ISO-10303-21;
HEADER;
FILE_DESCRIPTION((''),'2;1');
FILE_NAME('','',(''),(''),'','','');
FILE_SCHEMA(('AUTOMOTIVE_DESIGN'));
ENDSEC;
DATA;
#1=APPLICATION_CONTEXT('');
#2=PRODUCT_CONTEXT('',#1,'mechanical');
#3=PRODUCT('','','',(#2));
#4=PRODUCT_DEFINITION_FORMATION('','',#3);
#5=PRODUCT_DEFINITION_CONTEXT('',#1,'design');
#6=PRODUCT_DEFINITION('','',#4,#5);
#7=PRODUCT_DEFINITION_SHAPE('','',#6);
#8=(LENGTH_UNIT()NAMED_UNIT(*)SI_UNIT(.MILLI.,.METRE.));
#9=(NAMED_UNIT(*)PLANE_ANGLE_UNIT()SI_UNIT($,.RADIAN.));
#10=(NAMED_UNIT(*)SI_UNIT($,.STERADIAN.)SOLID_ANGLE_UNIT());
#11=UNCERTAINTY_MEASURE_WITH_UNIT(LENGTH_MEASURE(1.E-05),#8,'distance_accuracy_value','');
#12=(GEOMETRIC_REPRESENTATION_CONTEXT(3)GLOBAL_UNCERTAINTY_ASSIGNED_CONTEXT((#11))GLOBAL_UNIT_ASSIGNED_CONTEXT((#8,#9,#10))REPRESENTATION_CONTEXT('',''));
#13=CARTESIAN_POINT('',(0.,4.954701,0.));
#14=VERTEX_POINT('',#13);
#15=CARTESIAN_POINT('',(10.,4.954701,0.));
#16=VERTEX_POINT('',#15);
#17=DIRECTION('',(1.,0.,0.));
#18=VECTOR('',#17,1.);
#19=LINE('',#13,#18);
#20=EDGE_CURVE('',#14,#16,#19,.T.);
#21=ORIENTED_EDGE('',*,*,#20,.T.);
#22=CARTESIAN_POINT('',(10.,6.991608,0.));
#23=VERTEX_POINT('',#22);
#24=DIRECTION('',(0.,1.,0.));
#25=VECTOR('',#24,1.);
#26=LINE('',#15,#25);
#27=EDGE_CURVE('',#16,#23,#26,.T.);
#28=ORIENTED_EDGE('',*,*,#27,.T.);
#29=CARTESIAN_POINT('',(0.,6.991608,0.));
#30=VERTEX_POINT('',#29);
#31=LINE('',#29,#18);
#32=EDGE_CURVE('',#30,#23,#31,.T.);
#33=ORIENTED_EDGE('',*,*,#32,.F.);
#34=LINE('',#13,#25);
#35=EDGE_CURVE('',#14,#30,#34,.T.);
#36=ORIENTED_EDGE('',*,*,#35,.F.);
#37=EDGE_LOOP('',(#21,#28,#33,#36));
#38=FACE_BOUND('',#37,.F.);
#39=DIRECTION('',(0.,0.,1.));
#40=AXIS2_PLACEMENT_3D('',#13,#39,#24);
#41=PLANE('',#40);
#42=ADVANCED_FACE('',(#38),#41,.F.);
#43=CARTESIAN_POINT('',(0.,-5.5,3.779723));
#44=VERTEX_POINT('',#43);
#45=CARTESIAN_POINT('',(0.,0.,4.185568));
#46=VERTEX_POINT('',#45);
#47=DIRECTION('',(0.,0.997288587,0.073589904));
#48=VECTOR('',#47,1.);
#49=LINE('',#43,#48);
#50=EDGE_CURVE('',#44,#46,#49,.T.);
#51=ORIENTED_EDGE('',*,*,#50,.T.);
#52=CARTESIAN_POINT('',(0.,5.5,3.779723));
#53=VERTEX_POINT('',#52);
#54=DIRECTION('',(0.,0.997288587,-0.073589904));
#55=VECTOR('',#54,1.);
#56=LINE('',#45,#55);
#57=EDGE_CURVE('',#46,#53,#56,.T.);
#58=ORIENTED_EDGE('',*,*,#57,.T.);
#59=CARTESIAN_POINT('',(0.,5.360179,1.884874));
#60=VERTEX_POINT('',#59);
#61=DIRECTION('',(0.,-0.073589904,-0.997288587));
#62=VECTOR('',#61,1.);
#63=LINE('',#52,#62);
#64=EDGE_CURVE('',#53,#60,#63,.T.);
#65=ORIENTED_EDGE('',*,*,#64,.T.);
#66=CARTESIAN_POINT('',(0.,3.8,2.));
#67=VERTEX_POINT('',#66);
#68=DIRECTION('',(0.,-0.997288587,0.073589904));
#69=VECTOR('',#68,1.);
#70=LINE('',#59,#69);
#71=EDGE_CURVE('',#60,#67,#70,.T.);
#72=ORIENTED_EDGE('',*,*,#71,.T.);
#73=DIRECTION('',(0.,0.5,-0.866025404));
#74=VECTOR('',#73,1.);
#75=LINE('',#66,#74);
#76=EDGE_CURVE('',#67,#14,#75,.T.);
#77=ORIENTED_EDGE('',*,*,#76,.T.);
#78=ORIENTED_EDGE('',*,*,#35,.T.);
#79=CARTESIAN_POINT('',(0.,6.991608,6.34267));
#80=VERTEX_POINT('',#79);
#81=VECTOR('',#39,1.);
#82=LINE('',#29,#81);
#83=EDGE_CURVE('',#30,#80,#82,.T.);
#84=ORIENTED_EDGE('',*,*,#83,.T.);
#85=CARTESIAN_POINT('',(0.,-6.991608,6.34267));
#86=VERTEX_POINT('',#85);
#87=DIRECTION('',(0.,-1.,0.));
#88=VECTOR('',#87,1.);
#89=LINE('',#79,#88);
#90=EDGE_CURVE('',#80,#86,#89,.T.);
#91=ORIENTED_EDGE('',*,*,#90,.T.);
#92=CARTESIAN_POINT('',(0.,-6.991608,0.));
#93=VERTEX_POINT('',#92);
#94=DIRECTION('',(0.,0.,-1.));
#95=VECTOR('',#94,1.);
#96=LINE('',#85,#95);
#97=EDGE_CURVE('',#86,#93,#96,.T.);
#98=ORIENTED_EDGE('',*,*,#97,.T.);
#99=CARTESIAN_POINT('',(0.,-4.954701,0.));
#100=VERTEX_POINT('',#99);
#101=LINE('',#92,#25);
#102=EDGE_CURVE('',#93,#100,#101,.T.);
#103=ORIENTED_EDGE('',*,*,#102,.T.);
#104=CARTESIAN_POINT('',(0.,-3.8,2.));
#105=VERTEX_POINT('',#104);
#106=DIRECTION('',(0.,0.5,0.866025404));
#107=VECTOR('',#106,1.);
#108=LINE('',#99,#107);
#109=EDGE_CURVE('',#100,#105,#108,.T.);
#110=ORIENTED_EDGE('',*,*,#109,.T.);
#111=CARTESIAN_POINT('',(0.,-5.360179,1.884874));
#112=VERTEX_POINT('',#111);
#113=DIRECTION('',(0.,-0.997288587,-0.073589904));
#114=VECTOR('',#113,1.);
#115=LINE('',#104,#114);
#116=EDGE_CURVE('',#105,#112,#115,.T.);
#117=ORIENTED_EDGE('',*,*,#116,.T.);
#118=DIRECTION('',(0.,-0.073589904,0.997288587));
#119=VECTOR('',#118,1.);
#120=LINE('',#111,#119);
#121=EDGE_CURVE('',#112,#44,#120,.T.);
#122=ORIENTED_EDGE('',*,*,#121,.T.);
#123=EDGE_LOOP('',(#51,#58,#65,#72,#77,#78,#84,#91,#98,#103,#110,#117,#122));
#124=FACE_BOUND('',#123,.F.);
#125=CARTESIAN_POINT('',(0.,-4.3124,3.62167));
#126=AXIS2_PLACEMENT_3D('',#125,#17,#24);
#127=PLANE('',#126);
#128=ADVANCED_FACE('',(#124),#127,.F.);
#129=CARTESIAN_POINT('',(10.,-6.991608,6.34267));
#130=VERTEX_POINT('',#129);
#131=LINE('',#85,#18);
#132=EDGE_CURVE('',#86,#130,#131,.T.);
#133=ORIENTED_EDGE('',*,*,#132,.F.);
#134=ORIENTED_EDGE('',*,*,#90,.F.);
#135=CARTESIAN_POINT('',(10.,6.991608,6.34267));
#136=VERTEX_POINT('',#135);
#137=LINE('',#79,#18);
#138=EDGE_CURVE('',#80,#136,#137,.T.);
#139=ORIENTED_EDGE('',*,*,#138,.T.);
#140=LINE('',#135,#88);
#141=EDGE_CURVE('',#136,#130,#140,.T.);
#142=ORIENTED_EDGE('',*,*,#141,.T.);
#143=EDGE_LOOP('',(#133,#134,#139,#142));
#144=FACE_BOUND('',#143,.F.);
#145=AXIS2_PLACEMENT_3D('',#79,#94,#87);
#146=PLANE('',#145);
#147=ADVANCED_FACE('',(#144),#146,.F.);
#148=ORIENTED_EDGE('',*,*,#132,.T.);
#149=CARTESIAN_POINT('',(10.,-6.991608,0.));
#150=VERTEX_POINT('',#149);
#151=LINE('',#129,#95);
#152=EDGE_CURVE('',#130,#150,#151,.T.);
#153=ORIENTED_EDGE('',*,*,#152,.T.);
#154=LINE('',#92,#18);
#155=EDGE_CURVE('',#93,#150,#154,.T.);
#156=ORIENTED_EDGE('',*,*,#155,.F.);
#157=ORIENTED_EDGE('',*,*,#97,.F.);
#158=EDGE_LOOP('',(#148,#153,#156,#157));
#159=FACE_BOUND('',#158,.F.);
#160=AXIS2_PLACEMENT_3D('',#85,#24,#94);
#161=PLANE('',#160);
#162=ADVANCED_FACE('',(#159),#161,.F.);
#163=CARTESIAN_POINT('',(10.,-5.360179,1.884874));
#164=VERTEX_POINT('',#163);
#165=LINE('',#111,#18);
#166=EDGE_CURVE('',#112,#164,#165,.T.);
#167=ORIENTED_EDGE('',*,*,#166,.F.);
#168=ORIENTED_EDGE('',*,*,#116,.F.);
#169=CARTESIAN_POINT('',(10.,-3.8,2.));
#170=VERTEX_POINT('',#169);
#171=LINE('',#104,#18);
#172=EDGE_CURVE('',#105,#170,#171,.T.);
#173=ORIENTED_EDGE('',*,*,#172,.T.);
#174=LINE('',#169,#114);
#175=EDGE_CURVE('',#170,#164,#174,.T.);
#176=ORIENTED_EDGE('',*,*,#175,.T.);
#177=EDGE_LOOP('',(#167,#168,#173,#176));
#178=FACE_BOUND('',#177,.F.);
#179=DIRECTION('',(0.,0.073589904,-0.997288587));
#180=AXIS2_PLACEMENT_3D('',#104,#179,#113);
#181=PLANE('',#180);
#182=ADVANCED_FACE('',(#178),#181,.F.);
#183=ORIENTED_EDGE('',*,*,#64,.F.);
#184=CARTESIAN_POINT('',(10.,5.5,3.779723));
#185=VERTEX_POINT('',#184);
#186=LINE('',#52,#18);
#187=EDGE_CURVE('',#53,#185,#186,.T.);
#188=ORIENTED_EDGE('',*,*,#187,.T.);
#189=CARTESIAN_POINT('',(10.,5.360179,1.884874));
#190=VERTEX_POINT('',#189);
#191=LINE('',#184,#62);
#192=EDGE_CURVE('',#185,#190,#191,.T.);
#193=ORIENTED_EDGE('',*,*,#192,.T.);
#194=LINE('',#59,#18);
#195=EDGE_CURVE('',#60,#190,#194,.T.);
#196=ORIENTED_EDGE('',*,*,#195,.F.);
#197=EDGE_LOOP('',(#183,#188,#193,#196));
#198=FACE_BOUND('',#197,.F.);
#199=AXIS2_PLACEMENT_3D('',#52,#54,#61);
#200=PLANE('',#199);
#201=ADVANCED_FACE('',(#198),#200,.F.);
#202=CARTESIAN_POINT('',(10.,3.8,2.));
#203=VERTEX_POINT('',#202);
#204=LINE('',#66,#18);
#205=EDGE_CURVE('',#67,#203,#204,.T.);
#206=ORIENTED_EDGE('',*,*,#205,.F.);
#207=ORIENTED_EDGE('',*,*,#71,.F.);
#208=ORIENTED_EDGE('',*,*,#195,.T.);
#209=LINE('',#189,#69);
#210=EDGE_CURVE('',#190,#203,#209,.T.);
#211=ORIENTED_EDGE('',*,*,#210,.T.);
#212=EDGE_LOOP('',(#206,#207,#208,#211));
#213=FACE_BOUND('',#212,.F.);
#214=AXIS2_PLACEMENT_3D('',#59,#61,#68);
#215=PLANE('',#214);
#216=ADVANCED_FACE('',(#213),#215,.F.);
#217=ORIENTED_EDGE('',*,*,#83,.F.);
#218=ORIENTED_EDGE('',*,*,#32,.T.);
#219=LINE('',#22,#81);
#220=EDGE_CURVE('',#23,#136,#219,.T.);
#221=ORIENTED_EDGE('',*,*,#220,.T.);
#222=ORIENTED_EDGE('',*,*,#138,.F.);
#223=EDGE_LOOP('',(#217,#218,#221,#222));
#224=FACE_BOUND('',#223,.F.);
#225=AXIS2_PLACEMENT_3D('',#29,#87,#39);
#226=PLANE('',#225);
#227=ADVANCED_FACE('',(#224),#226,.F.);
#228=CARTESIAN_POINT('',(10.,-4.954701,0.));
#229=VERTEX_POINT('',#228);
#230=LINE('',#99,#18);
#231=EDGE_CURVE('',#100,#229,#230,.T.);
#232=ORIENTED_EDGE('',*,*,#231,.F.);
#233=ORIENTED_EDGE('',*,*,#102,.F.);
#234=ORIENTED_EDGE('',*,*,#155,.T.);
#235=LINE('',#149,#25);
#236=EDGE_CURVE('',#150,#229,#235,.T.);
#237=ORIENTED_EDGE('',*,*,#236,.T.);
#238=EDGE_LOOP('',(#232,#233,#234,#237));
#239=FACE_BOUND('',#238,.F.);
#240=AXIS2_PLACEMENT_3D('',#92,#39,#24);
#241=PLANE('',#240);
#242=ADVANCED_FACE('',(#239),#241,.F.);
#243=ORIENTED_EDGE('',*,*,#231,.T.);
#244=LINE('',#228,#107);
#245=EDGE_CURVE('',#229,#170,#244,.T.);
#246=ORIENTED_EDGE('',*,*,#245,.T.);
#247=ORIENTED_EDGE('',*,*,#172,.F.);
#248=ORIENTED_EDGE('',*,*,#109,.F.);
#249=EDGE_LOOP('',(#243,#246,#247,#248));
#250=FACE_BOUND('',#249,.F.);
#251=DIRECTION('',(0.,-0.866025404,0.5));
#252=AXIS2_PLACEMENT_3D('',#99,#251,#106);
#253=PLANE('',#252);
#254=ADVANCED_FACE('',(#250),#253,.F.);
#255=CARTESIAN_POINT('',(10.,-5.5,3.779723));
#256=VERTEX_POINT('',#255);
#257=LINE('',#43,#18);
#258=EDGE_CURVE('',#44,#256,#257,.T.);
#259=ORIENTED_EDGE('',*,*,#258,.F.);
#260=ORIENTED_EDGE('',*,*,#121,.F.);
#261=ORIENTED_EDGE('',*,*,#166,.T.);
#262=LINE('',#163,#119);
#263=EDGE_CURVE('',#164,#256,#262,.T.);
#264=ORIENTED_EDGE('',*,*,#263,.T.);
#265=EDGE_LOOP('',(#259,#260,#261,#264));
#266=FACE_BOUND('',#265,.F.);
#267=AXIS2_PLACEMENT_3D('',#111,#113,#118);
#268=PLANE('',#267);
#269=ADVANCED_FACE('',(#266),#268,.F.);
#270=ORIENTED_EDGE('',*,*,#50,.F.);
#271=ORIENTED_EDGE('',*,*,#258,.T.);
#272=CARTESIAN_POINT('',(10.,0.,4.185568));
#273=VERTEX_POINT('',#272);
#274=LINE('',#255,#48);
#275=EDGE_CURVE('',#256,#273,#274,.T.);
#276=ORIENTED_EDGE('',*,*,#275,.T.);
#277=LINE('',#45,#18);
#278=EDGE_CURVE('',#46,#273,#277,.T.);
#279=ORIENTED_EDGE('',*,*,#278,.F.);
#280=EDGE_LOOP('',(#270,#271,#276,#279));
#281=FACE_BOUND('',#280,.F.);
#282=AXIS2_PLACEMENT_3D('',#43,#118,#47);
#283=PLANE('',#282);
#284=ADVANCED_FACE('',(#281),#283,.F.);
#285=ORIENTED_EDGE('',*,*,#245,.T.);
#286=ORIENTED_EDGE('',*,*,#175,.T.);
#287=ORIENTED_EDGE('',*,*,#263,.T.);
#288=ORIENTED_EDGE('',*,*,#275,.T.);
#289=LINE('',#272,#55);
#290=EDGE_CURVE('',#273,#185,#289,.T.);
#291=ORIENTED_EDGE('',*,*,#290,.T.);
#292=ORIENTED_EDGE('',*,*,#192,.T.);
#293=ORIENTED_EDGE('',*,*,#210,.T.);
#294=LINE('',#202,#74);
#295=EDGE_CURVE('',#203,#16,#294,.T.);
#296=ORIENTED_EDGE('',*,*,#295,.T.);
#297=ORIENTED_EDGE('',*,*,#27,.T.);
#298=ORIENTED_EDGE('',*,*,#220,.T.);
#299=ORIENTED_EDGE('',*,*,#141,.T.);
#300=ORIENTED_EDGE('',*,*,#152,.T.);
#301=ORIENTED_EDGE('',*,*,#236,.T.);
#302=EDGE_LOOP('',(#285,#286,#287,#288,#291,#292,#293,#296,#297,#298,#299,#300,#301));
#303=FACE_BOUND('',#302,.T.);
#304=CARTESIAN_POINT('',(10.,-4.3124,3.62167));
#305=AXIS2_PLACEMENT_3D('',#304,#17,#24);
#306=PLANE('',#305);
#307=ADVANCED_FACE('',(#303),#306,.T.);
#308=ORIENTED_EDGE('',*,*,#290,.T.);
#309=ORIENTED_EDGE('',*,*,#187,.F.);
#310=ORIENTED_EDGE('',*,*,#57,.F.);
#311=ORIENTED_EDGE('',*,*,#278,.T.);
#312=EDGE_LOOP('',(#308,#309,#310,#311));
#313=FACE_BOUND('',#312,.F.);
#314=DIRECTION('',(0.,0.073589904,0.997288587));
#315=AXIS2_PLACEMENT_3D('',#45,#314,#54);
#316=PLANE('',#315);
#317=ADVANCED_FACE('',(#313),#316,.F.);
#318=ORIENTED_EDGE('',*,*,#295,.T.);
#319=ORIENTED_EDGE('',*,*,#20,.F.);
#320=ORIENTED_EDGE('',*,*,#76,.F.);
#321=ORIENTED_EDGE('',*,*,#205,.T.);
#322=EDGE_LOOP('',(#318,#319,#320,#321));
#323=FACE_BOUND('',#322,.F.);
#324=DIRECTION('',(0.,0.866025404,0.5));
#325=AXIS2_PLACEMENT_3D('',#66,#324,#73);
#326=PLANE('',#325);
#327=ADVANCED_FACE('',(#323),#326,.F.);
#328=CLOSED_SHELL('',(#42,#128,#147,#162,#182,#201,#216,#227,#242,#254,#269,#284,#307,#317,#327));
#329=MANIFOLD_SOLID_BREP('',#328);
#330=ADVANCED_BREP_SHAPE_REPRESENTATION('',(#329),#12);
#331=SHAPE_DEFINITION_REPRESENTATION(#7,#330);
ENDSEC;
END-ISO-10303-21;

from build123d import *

# Parameters (mm, degrees)
F2_DEPTH = 10


with BuildPart() as f2:
    # F1 (on Right) → F2 (new body)
    with BuildSketch(Plane.YZ):
        Polygon((-4.9547005384, 0), (-3.8, 2), (-5.3601791831, 1.8848744112), (-5.5, 3.7797227268), (0, 4.18556761), (0, 6), (-6.9916076098, 6), (-6.9916076098, 0), align=None)
        Polygon((-6.9916076098, 6.3426704399), (-6.9916076098, 6), (0, 6.3426704399), align=None)
        Polygon((0, 6.3426704399), (-6.9916076098, 6), (0, 6), align=None)
        Polygon((0, 6), (0, 4.18556761), (5.5, 3.7797227268), (5.3601791831, 1.8848744112), (3.8, 2), (4.9547005384, 0), (6.9916076098, 0), (6.9916076098, 6), align=None)
        Polygon((6.9916076098, 6), (0, 6.3426704399), (0, 6), align=None)
        Polygon((6.9916076098, 6.3426704399), (0, 6.3426704399), (6.9916076098, 6), align=None)
    extrude(amount=F2_DEPTH)


solid = f2.part
